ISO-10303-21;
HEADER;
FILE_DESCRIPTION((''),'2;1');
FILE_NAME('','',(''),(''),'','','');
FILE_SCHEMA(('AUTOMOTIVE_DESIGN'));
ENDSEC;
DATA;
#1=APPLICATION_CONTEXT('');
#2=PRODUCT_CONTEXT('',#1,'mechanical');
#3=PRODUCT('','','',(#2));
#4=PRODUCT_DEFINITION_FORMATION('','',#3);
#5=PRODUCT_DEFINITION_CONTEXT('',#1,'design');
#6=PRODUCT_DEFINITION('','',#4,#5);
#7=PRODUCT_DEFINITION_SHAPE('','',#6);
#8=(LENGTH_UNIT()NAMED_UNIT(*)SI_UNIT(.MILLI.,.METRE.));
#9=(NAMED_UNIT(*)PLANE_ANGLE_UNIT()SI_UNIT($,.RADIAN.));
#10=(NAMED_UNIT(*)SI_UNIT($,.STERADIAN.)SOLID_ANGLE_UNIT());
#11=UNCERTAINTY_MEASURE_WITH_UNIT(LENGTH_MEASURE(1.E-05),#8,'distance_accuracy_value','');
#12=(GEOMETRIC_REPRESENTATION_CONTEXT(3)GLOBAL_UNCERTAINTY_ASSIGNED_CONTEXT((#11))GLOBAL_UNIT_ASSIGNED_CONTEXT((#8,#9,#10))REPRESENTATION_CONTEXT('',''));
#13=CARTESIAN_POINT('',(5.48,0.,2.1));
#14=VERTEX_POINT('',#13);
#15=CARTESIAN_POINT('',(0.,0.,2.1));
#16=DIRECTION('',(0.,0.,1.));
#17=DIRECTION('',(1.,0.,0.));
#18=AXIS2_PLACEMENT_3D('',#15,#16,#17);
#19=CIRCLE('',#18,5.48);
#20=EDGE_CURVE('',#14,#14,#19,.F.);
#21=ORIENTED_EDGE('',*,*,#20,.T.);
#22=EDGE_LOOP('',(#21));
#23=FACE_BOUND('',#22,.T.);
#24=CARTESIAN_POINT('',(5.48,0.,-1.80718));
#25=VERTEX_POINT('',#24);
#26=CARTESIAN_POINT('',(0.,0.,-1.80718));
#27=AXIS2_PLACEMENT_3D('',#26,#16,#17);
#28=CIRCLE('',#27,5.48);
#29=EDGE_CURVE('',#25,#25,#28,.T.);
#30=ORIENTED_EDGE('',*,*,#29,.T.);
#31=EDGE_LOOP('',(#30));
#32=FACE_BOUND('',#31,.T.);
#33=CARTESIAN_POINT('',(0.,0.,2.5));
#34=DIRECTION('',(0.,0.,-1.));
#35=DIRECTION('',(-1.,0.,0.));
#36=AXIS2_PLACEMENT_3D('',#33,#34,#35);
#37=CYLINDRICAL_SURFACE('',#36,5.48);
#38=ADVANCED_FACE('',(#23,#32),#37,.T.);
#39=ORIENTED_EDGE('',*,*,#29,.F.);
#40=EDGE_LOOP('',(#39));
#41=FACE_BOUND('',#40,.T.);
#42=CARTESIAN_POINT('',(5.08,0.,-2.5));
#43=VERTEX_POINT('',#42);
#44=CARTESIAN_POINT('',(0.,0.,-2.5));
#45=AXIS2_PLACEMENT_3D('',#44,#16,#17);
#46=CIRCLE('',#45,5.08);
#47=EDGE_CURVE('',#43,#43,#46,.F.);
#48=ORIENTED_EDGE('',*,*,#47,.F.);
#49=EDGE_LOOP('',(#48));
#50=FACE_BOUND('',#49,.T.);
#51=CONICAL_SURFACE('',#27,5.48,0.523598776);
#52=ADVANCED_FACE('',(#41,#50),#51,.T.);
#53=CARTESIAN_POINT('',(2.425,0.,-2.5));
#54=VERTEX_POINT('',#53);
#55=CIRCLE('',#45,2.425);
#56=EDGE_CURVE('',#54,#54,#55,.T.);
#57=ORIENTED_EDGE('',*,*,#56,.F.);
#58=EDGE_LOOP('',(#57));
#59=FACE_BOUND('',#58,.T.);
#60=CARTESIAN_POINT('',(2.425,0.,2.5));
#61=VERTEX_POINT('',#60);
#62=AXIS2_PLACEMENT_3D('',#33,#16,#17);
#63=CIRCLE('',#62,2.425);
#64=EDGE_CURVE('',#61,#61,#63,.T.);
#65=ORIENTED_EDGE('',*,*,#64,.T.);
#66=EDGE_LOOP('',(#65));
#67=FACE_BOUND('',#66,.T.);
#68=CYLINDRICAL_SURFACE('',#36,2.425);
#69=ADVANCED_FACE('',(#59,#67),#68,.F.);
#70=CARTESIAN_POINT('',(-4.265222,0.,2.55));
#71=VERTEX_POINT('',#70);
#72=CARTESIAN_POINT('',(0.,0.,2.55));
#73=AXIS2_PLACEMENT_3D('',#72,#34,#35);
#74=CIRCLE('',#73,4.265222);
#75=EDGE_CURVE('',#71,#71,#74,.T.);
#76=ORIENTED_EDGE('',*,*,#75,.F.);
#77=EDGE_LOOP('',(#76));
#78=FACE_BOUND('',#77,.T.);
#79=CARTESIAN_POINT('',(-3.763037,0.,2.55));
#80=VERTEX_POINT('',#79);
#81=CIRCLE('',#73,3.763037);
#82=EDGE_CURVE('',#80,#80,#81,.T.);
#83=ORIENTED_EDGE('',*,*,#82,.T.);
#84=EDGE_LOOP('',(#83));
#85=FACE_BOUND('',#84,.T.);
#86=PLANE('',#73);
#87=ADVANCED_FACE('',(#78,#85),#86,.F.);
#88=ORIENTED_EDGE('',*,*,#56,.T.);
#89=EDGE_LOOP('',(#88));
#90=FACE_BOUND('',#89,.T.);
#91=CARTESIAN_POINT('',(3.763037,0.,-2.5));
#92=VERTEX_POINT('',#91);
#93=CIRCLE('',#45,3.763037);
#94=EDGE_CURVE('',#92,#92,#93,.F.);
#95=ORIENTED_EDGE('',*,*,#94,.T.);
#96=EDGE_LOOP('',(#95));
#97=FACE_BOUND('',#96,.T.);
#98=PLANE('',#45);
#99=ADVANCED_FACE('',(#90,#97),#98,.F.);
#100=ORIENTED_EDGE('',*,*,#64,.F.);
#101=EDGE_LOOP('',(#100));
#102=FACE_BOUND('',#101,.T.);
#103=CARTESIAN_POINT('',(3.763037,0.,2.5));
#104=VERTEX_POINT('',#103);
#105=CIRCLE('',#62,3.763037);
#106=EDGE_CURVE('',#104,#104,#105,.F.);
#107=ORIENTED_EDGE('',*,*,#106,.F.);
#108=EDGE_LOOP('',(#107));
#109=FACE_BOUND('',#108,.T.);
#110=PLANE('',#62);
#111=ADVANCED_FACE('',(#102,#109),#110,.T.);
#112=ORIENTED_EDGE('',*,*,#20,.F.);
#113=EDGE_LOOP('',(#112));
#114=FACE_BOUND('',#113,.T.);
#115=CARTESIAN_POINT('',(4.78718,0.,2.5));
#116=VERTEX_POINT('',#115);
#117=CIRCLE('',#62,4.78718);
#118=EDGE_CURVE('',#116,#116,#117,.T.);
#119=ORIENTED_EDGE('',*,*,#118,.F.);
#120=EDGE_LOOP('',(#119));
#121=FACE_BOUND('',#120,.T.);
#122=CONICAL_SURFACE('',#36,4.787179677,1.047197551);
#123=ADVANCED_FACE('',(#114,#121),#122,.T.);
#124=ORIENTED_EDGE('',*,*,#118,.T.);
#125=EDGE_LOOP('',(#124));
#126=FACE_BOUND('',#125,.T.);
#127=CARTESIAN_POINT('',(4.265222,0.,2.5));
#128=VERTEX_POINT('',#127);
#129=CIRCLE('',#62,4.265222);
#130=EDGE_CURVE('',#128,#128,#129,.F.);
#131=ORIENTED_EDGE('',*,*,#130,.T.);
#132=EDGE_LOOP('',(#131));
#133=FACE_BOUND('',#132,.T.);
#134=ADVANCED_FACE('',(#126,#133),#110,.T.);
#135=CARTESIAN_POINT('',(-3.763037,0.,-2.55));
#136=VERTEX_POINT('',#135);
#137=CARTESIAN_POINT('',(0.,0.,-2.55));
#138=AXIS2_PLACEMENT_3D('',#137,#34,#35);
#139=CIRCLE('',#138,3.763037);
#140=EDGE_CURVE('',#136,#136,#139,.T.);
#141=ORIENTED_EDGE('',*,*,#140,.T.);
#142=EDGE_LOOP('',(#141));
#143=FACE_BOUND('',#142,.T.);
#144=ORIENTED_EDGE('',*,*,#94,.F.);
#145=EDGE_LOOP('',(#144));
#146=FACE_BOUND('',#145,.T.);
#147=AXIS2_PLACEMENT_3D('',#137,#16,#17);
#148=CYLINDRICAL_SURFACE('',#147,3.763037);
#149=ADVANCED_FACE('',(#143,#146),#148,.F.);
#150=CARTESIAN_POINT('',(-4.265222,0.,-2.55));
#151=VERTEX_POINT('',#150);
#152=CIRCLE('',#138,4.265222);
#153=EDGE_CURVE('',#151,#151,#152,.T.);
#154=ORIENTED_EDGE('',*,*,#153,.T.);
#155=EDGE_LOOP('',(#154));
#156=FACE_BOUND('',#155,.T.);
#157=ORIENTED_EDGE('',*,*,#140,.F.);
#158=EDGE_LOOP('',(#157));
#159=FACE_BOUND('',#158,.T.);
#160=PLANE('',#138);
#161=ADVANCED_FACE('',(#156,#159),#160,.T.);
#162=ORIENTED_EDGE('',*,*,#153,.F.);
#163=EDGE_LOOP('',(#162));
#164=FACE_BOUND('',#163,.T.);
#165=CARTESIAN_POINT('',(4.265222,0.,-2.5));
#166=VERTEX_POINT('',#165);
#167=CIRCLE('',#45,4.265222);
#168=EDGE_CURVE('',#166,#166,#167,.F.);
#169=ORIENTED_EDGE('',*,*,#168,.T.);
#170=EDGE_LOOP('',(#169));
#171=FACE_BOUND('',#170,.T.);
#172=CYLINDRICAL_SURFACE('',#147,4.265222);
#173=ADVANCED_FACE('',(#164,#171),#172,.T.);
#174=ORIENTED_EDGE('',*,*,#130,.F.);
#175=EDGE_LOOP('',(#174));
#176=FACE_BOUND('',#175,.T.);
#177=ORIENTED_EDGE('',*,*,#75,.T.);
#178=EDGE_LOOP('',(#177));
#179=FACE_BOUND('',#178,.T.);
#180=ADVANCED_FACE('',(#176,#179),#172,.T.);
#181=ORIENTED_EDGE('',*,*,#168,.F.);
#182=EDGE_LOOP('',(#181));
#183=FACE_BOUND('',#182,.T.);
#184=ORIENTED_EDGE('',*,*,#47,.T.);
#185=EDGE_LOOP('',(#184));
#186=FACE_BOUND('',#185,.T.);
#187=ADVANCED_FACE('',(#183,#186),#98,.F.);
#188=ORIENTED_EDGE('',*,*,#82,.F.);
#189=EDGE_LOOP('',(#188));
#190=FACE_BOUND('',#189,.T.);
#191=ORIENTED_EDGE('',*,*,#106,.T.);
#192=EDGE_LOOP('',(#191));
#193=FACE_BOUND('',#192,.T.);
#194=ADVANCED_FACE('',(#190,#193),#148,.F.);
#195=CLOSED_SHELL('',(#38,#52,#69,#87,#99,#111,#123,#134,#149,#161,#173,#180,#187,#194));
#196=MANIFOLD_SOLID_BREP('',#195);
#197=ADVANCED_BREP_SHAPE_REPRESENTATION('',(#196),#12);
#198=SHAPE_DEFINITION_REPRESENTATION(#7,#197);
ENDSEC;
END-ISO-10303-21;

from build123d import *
from OCP.BRepFilletAPI import BRepFilletAPI_MakeChamfer

# Parameters (mm, degrees)
CROQUIS1_R              = 5.48
CROQUIS1_R_2            = 2.425
SALIENTE_EXTRUIR1_DEPTH = 2.5
CHAFL_N1_SIZE           = 0.4
CHAFL_N1_SIZE2          = 0.692820323
CROQUIS2_R              = 4.265221528
CROQUIS2_R_2            = 3.76303741
SALIENTE_EXTRUIR2_DEPTH = 2.55


with BuildPart() as part:
    # Croquis1 → Saliente-Extruir1 (new, symmetric)
    with BuildSketch(Plane.XY):
        Circle(CROQUIS1_R)
        Circle(CROQUIS1_R_2, mode=Mode.SUBTRACT)
    extrude(amount=SALIENTE_EXTRUIR1_DEPTH, both=True)

    # Chaflán1: one chamfer whose edges measure the first distance from different faces: ONE call of the kernel's chamfer builder (chamfer() names one face for all edges)
    chafl_n1_edges_1 = [part.edges().sort_by_distance(p)[0] for p in [
        (-5.48, 0, -2.5),
    ]]
    chafl_n1_side_1 = [part.faces().sort_by_distance(p)[0] for p in [
        (-5.325002194, 0, -2.5),
    ]]
    chafl_n1_edges_2 = [part.edges().sort_by_distance(p)[0] for p in [
        (-5.48, 0, 2.5),
    ]]
    chafl_n1_side_2 = [part.faces().sort_by_distance(p)[0] for p in [
        (-5.48, 0, 0),
    ]]
    chafl_n1 = BRepFilletAPI_MakeChamfer(part.part.solid().wrapped)
    for e in chafl_n1_edges_1:
        chafl_n1.Add(CHAFL_N1_SIZE, CHAFL_N1_SIZE2, e.wrapped, chafl_n1_side_1[0].wrapped)  # the first distance lies on this face
    for e in chafl_n1_edges_2:
        chafl_n1.Add(CHAFL_N1_SIZE, CHAFL_N1_SIZE2, e.wrapped, chafl_n1_side_2[0].wrapped)  # the first distance lies on this face
    add(Compound.cast(chafl_n1.Shape()), mode=Mode.REPLACE)

    # Croquis2 → Saliente-Extruir2 (add, symmetric)
    with BuildSketch(Plane(origin=(0, 0, 0), x_dir=(-1, 0, 0), z_dir=(0, 0, -1))):
        with Locations(Location((0, 0, 0), (0, 0, 180))):
            Circle(CROQUIS2_R)
        with Locations(Location((0, 0, 0), (0, 0, 180))):
            Circle(CROQUIS2_R_2, mode=Mode.SUBTRACT)
    extrude(amount=SALIENTE_EXTRUIR2_DEPTH, both=True)


solid = part.part
